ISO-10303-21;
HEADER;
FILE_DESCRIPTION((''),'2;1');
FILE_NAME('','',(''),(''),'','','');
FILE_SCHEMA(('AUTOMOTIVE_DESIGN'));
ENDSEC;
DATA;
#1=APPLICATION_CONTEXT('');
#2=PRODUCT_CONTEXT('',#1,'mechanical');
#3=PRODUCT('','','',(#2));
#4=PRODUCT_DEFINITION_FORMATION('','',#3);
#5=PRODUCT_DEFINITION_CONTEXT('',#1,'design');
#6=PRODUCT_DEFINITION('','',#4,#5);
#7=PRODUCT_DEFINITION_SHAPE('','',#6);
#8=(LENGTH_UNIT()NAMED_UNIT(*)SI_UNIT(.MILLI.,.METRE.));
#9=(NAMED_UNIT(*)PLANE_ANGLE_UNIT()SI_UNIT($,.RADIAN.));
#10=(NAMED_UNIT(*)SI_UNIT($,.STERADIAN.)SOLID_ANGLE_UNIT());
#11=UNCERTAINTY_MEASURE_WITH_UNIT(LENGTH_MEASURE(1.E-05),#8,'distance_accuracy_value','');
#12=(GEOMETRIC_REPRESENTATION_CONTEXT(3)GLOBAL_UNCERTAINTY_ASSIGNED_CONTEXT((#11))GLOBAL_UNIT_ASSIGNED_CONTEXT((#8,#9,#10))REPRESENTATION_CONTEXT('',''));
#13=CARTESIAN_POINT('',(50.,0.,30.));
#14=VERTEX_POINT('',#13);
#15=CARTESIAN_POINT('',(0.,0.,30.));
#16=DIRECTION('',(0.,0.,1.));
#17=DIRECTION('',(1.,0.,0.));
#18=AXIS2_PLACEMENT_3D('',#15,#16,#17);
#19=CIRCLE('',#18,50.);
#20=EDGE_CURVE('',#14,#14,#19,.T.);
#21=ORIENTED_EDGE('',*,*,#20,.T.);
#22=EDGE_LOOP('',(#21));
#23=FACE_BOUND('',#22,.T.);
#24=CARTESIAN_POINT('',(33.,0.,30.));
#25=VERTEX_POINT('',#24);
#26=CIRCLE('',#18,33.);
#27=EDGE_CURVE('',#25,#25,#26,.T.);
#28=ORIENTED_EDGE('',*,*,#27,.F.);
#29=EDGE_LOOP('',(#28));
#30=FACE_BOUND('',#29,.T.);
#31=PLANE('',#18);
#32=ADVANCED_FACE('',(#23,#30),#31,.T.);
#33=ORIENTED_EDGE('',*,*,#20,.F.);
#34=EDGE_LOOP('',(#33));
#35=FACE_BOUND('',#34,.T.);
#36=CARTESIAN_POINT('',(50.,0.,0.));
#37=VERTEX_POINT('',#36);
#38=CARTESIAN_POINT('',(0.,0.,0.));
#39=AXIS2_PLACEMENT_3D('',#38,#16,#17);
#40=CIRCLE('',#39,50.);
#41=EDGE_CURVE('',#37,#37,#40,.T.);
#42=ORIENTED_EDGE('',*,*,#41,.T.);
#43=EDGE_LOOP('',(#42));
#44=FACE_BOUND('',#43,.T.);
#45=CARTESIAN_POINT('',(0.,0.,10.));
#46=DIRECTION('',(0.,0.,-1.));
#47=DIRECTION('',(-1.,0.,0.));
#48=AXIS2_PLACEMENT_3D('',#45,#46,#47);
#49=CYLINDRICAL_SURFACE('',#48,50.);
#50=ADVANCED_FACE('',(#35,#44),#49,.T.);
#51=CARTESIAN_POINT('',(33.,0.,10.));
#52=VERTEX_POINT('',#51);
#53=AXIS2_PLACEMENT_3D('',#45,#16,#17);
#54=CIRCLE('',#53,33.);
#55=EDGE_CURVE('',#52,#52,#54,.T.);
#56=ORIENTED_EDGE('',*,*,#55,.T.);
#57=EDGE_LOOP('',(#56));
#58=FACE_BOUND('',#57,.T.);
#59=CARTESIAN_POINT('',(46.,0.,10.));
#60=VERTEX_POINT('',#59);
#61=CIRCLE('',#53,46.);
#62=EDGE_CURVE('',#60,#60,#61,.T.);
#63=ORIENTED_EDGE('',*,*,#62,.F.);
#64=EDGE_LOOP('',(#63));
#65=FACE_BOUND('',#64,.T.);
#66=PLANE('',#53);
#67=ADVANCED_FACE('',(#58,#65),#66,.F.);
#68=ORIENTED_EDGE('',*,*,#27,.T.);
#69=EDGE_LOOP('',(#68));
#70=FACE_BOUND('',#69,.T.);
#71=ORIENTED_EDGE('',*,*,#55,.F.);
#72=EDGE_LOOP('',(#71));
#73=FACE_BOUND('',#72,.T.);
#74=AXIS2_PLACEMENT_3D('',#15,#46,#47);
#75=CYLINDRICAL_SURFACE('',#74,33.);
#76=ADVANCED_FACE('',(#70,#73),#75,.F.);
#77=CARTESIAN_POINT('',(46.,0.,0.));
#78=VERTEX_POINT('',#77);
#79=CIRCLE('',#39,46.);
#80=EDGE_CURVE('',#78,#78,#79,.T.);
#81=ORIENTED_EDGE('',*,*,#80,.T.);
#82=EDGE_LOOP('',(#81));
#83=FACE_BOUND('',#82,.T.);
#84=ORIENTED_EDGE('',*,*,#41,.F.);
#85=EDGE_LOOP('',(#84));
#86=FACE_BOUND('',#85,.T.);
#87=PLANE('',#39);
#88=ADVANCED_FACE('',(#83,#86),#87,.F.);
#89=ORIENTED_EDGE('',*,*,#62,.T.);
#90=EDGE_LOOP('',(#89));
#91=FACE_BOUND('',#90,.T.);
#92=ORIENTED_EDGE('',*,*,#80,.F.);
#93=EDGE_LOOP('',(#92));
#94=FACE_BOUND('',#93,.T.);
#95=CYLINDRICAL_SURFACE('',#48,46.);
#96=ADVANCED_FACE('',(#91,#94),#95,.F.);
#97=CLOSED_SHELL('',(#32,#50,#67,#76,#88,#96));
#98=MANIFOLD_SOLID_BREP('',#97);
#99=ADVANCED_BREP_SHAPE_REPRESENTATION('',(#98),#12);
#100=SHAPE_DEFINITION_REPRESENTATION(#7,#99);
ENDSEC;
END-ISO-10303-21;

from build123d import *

# Parameters (mm, degrees)
SKETCH1_R           = 50
SKETCH1_R_2         = 46
BOSS_EXTRUDE1_DEPTH = 10
SKETCH2_R           = 50
SKETCH2_R_2         = 33
BOSS_EXTRUDE2_DEPTH = 20


with BuildPart() as part:
    # Sketch1 → Boss-Extrude1 (new body)
    with BuildSketch(Plane.XY):
        Circle(SKETCH1_R)
        Circle(SKETCH1_R_2, mode=Mode.SUBTRACT)
    extrude(amount=BOSS_EXTRUDE1_DEPTH)

    # Sketch2 → Boss-Extrude2 (add)
    with BuildSketch(Plane.XY.offset(10)):
        Circle(SKETCH2_R)
        Circle(SKETCH2_R_2, mode=Mode.SUBTRACT)
    extrude(amount=BOSS_EXTRUDE2_DEPTH)


solid = part.part
